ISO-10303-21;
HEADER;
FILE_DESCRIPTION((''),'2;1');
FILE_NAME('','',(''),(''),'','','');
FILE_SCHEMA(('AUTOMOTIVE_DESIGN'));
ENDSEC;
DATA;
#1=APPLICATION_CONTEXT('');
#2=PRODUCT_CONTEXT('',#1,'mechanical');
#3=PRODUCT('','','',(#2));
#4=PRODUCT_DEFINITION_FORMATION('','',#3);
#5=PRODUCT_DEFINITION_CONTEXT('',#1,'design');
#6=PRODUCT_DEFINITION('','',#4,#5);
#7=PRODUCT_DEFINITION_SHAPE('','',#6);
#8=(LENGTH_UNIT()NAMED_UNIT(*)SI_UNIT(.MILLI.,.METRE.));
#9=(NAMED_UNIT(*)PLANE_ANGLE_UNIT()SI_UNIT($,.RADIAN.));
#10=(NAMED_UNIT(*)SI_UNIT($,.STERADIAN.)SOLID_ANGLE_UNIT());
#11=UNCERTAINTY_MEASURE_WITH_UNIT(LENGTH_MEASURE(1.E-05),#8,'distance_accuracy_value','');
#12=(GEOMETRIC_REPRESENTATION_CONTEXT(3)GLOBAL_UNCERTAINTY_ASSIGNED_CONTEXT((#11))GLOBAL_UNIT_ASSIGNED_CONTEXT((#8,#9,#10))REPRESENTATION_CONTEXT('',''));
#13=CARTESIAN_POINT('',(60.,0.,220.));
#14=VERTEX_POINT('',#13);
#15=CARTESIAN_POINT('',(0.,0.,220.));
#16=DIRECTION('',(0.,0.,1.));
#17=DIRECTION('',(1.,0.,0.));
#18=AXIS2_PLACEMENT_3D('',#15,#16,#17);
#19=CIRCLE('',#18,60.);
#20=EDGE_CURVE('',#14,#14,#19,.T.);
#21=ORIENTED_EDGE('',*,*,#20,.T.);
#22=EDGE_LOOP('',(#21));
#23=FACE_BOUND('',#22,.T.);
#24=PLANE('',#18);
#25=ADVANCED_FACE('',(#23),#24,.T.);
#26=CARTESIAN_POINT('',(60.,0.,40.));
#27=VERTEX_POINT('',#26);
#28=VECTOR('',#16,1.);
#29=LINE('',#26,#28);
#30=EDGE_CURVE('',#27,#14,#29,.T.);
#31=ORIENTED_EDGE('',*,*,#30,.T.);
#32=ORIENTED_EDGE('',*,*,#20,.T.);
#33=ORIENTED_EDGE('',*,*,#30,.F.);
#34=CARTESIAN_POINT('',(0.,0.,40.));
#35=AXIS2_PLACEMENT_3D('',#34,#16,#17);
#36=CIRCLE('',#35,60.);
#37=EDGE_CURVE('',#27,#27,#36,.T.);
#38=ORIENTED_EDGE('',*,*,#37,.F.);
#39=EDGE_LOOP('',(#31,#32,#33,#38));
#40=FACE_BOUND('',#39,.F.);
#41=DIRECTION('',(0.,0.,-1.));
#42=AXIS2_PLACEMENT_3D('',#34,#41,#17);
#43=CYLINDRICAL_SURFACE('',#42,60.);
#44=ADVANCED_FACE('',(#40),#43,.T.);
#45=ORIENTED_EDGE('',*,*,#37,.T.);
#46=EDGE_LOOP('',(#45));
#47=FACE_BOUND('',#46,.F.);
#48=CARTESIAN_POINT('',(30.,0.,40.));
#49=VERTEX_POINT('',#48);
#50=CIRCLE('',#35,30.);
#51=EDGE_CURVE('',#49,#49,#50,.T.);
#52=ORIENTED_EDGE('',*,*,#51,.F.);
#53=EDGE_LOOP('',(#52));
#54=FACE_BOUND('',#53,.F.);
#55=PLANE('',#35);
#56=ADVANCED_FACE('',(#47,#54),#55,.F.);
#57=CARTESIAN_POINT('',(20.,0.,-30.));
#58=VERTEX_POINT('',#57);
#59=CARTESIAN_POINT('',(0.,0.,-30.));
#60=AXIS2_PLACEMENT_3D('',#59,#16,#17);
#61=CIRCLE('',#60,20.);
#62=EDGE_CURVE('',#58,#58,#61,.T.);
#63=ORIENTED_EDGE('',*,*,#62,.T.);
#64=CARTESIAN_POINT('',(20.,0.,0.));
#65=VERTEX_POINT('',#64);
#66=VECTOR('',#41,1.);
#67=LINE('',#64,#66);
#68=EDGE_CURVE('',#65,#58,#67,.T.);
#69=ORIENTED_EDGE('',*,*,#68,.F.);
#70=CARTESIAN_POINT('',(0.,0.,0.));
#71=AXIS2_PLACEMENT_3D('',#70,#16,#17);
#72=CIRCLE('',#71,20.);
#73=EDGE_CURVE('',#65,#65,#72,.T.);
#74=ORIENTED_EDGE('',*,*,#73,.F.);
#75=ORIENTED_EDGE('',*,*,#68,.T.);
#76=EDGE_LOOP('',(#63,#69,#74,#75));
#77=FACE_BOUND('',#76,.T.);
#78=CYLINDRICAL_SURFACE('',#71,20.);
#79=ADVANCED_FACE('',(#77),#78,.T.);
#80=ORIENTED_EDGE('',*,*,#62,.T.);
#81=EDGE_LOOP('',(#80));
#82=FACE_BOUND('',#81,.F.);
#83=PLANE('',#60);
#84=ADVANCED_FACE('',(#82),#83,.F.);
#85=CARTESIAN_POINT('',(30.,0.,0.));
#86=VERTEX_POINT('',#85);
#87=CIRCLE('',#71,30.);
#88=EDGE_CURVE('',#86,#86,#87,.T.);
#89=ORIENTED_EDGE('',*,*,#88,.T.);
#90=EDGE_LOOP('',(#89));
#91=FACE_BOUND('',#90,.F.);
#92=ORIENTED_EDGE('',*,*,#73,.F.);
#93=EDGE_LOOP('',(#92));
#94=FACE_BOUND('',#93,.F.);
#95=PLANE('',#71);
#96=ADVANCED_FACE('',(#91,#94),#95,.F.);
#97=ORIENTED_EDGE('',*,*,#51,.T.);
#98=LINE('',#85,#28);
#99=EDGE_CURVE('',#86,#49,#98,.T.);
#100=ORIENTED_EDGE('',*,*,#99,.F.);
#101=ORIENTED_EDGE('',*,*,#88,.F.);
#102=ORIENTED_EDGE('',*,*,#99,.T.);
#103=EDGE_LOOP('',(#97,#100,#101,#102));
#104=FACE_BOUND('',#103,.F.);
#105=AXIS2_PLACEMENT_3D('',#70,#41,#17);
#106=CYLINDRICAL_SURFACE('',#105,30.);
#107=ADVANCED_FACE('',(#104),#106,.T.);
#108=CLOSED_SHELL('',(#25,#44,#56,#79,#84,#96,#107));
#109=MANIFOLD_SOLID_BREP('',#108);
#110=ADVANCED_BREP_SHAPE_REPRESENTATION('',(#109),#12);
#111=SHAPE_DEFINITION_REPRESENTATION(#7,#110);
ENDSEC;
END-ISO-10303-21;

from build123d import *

# Parameters (mm, degrees)
F0_R     = 20
F1_DEPTH = 30
F2_R     = 30
F3_DEPTH = 40
F4_R     = 60
F5_DEPTH = 180


with BuildPart() as f1:
    # F0 (on Top) → F1 (new body)
    with BuildSketch(Plane.XY):
        Circle(F0_R)
    extrude(amount=-F1_DEPTH)

    # F2 (on Top) → F3 (join)
    with BuildSketch(Plane.XY):
        Circle(F2_R)
    extrude(amount=F3_DEPTH)

    # F4 (on face) → F5 (join)
    with BuildSketch(Plane.XY.offset(40)):
        Circle(F4_R)
    extrude(amount=F5_DEPTH)


solid = f1.part
